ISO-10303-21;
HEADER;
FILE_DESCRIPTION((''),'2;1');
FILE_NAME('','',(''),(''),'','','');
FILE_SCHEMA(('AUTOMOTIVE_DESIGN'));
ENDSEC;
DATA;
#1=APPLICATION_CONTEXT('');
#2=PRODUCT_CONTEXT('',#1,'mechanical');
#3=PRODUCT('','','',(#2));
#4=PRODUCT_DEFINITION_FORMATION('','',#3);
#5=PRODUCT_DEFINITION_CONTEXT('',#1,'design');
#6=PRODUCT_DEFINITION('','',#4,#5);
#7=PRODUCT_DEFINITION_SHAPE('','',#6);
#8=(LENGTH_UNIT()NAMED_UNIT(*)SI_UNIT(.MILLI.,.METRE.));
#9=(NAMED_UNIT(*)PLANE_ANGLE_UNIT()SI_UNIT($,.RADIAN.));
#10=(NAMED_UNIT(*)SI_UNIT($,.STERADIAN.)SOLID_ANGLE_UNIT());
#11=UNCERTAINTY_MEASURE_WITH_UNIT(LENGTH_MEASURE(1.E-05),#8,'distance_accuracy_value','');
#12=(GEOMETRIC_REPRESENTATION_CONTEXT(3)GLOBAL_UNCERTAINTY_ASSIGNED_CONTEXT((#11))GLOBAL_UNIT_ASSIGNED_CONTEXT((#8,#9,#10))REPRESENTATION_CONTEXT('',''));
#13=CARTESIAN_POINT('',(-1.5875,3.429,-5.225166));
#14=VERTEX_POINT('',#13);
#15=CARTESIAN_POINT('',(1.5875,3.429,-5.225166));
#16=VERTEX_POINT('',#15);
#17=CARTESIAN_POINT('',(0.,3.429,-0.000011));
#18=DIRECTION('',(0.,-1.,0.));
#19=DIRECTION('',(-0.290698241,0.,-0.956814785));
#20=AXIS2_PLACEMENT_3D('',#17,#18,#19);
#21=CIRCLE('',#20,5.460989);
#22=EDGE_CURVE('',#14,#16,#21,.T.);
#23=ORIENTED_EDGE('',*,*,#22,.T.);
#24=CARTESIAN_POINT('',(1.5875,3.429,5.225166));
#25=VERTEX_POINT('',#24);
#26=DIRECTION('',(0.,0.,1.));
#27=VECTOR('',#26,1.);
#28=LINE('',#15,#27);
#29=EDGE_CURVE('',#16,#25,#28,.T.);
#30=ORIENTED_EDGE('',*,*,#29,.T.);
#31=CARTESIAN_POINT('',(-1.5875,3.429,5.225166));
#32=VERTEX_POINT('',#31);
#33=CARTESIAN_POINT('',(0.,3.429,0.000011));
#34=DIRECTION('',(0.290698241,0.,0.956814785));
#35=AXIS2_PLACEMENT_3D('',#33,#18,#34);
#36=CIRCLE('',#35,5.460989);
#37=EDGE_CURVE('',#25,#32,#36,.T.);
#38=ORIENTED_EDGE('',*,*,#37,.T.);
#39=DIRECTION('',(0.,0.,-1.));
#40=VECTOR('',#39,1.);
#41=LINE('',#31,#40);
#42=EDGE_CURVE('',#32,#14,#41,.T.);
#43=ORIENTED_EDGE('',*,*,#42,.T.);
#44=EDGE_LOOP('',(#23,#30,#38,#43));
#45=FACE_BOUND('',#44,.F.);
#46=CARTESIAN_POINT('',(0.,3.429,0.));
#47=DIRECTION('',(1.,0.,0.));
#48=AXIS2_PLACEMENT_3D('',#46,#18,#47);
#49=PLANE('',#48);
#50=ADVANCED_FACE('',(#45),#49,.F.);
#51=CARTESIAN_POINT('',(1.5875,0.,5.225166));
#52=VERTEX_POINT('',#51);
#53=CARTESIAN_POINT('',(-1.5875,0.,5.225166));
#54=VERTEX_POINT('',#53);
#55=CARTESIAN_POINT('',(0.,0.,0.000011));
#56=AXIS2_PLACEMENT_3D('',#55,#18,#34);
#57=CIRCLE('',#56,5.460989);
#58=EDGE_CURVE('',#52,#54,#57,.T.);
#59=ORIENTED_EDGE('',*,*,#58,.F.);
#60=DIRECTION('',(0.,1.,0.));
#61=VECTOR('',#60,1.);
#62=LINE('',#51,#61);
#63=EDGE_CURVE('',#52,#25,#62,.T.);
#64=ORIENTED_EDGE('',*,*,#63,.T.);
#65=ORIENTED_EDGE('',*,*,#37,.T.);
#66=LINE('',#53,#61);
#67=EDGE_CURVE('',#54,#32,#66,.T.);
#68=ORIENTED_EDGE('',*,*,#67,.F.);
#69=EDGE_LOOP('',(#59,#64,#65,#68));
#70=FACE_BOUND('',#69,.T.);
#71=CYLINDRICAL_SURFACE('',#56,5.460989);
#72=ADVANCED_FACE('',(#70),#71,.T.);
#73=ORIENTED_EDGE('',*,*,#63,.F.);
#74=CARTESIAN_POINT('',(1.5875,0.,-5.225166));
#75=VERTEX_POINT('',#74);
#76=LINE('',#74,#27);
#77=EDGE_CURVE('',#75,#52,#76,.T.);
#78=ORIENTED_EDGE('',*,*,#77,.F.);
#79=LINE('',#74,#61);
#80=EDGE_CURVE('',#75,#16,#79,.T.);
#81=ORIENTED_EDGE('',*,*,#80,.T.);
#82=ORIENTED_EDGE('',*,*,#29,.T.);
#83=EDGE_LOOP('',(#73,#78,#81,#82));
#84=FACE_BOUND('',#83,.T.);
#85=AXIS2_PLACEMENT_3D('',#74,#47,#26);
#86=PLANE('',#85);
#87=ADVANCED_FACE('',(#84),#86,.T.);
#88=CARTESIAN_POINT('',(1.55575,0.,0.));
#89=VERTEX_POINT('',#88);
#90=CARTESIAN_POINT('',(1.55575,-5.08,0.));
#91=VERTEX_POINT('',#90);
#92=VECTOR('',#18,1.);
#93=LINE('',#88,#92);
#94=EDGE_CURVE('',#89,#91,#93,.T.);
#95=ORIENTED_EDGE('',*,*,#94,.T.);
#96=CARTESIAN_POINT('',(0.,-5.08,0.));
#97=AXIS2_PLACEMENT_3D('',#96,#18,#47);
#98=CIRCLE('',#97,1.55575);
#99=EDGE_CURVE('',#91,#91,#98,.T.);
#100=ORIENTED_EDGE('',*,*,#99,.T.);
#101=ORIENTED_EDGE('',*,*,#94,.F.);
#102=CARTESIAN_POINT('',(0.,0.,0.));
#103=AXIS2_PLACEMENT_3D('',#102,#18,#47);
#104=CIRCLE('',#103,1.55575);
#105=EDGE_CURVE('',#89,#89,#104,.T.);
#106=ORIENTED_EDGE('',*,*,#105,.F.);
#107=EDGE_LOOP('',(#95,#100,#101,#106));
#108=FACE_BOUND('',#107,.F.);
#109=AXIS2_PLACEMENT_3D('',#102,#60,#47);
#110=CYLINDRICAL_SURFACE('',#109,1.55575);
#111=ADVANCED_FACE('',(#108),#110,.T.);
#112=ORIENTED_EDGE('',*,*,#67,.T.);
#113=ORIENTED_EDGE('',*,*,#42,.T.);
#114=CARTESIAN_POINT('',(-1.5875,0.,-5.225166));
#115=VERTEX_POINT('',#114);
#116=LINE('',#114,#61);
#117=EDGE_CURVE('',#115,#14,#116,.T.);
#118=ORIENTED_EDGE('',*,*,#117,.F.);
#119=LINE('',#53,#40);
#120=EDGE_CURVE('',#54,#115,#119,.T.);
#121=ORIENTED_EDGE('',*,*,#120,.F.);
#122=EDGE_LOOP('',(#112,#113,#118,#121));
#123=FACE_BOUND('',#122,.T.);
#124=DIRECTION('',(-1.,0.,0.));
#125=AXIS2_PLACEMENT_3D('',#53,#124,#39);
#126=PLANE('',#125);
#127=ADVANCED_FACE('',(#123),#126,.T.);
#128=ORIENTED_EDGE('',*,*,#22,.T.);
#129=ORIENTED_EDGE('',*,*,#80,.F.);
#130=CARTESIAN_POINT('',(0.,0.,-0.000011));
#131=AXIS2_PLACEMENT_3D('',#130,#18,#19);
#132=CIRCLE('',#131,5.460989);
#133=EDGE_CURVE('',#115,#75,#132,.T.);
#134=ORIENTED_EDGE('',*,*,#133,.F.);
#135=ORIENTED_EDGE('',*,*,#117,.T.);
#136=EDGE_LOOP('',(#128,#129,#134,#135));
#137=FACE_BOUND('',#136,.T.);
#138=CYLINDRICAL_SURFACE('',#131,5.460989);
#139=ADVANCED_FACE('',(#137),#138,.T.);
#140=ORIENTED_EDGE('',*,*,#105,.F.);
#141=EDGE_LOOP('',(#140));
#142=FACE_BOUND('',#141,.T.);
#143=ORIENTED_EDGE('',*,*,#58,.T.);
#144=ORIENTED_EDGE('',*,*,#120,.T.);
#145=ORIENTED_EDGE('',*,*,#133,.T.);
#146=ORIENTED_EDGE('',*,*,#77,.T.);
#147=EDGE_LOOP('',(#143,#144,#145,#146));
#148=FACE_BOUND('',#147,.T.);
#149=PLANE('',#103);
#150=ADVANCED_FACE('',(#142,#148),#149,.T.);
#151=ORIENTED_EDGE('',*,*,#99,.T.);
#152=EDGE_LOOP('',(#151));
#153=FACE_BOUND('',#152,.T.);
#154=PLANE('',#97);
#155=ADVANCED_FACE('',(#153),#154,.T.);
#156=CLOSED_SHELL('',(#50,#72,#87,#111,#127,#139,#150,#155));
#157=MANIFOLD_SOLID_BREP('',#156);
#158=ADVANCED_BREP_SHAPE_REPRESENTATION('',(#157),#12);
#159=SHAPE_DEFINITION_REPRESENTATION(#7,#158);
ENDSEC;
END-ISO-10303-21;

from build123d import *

# Parameters (mm, degrees)
F1_DEPTH = 3.429
F2_R     = 1.55575
F3_DEPTH = 5.08


with BuildPart() as f1:
    # F0 (on Front) → F1 (new body)
    with BuildSketch(Plane.XZ):
        with BuildLine():
            Line((1.5875, -5.225166), (1.5875, 5.225166))
            ThreePointArc((1.5875, 5.225166), (0, 5.461), (-1.5875, 5.225166))
            Line((-1.5875, 5.225166), (-1.5875, -5.225166))
            ThreePointArc((-1.5875, -5.225166), (0, -5.461), (1.5875, -5.225166))
        make_face()
    extrude(amount=-F1_DEPTH)

    # F2 (on face) → F3 (join)
    with BuildSketch(Plane.XZ):
        Circle(F2_R)
    extrude(amount=F3_DEPTH)


solid = f1.part
